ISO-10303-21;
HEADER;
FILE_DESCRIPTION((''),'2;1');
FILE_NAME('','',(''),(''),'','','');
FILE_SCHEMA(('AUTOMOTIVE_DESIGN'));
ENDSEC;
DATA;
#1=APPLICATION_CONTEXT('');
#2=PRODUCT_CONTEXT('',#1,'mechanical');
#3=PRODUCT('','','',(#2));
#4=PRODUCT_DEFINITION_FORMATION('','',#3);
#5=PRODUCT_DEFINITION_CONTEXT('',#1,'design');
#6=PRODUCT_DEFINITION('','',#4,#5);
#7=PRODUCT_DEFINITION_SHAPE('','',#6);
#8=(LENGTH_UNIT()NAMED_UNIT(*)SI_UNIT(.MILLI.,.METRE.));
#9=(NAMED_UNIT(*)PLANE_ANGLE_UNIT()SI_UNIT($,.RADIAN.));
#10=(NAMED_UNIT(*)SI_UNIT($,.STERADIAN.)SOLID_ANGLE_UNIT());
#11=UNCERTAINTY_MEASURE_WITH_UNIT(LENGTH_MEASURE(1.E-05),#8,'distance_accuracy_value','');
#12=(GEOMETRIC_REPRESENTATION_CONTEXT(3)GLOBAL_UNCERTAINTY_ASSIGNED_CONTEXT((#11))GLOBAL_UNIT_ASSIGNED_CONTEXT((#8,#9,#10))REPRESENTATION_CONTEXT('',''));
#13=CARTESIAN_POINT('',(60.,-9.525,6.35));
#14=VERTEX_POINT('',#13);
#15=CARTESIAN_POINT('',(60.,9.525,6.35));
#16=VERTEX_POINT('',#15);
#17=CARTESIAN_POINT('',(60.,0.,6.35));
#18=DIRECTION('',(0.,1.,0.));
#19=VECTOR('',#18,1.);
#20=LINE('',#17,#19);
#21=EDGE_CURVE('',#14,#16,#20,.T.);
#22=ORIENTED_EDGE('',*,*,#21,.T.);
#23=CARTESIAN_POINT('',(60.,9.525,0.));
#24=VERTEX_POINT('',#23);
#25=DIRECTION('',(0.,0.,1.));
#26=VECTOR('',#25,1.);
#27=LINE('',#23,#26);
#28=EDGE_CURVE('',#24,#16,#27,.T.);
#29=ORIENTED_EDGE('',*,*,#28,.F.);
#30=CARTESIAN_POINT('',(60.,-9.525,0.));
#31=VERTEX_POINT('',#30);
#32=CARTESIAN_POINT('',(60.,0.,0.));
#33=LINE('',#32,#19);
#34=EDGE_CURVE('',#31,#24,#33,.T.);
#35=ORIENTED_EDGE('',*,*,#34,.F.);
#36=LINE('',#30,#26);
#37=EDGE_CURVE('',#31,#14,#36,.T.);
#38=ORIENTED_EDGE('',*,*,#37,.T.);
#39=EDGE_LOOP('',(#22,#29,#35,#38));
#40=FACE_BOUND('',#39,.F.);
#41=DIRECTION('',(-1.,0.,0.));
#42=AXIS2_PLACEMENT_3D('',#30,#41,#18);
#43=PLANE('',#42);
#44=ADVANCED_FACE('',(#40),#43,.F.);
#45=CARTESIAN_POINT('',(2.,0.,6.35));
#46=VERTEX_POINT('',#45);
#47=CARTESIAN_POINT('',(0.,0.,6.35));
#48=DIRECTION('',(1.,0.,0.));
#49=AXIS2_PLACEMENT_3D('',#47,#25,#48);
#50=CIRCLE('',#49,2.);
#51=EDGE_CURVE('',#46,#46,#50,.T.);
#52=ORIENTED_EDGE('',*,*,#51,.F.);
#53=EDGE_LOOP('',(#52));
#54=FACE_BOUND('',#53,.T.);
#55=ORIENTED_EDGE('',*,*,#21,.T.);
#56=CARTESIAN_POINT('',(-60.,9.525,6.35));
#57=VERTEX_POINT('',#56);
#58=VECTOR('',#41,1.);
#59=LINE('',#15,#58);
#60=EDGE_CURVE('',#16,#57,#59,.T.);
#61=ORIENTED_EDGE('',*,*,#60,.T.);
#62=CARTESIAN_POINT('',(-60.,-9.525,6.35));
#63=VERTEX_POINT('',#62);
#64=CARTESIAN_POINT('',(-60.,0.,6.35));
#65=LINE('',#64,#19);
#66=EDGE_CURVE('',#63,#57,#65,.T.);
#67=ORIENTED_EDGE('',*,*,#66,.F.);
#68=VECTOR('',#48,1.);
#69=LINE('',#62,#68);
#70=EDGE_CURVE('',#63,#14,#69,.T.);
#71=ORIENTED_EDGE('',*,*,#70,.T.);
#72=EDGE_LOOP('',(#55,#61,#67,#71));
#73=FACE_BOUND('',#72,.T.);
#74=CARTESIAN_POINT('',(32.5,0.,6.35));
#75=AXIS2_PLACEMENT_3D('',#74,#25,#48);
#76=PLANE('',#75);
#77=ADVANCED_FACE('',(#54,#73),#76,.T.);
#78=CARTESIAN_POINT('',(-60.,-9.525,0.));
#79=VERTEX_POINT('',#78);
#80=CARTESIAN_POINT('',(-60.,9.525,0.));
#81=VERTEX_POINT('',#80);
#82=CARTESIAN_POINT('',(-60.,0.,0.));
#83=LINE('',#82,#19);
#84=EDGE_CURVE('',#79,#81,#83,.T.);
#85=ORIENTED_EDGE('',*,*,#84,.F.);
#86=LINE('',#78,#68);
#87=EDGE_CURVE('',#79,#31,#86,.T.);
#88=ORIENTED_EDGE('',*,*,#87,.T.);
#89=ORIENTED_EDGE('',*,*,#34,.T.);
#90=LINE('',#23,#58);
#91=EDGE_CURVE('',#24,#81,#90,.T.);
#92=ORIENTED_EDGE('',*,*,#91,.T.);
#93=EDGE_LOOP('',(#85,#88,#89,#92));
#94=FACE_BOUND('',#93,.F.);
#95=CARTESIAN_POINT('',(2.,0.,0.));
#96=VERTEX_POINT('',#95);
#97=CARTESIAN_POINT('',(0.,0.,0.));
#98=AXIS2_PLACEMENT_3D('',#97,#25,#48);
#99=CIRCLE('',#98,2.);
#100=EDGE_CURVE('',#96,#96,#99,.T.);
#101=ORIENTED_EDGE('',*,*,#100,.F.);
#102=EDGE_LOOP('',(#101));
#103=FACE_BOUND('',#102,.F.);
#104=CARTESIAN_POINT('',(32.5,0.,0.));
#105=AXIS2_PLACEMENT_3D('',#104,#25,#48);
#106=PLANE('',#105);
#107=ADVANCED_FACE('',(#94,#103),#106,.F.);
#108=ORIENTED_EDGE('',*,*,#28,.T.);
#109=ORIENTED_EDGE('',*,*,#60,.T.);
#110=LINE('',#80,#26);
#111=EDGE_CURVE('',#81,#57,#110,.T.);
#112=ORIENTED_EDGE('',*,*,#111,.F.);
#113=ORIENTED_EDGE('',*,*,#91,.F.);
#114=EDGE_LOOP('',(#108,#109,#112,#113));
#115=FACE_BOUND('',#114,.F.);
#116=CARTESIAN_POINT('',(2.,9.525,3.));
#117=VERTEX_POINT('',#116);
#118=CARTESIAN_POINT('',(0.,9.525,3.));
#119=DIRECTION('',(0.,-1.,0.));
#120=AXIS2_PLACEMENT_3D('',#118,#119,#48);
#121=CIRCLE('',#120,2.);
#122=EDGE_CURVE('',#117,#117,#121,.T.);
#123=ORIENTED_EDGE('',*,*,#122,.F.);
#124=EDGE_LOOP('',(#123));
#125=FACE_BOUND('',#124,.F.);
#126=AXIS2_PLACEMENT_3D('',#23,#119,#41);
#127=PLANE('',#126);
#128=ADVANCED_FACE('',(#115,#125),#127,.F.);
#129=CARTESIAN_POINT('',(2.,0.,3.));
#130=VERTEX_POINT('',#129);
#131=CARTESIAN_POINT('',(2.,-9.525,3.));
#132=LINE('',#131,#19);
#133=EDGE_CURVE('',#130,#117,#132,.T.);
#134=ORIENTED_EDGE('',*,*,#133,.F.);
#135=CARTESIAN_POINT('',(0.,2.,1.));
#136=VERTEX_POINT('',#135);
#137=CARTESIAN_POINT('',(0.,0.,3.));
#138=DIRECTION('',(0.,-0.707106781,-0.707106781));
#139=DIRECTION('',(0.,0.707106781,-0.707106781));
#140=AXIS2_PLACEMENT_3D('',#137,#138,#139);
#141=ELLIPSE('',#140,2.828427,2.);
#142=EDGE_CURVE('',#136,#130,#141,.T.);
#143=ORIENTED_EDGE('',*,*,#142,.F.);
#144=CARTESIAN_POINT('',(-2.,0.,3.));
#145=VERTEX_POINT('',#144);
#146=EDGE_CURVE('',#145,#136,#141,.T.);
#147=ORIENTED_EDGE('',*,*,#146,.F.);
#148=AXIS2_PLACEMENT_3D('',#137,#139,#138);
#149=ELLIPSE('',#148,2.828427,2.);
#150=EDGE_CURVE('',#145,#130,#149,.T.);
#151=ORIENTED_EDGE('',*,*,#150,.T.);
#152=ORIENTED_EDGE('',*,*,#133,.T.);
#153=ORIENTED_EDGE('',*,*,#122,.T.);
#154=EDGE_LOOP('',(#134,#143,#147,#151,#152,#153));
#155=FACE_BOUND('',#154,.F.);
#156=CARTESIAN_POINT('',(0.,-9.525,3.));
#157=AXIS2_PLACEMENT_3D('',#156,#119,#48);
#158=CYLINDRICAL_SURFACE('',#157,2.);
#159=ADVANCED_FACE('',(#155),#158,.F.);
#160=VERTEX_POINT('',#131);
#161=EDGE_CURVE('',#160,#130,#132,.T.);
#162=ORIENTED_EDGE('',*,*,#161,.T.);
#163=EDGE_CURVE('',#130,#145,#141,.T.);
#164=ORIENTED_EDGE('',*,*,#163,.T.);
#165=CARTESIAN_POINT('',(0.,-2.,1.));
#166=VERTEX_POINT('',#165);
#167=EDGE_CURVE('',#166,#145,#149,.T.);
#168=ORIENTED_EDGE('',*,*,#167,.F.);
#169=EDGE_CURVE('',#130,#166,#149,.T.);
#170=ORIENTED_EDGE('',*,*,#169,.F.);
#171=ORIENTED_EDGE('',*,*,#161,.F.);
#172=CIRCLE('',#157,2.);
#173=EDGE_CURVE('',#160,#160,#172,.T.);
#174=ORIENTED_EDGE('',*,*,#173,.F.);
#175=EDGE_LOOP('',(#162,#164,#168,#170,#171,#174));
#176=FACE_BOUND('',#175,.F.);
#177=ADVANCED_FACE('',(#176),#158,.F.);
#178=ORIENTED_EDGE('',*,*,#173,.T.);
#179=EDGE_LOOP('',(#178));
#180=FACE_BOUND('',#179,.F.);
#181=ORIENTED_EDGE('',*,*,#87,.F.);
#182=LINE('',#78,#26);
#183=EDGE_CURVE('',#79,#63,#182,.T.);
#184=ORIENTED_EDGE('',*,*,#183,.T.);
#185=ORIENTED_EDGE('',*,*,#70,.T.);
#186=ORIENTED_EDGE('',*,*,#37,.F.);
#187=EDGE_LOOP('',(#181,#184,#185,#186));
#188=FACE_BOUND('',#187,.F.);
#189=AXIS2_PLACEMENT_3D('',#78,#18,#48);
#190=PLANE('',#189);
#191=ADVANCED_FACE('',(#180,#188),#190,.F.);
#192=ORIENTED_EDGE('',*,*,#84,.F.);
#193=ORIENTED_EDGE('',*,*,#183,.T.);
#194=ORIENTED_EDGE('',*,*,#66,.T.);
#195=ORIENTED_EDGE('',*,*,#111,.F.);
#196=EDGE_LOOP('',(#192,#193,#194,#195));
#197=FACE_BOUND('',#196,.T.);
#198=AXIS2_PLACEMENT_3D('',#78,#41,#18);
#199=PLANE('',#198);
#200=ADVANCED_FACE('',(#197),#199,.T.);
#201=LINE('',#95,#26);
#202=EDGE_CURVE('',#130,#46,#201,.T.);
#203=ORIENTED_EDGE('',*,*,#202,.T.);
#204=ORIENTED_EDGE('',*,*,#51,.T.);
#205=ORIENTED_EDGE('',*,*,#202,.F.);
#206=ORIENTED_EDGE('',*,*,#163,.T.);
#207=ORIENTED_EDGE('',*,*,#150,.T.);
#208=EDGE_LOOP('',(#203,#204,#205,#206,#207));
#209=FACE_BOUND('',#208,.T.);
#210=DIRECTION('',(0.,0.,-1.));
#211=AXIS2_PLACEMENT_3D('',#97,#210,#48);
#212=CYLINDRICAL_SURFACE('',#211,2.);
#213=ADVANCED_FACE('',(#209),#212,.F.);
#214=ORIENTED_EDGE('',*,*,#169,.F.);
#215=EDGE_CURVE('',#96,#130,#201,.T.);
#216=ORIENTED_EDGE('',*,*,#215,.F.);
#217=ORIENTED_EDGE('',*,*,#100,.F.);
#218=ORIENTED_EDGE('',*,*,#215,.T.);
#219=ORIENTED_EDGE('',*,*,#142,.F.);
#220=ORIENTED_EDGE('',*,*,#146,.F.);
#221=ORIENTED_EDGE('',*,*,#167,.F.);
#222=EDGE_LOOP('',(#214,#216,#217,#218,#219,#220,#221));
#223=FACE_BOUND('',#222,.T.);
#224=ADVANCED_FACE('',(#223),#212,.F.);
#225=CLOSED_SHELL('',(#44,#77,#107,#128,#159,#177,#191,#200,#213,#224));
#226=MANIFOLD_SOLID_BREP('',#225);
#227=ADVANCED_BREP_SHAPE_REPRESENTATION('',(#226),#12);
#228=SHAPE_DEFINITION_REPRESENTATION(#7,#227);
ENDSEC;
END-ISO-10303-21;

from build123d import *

# Parameters (mm, degrees)
F0_W     = 55
F0_H     = 19.05
F0_W_2   = 10
F0_R     = 2
F1_DEPTH = 6.35
F2_R     = 2
F3_DEPTH = 19.051


with BuildPart() as f1:
    # F0 (on Top) → F1 (new body)
    with BuildSketch(Plane.XY):
        with Locations((32.5, 0)):
            Rectangle(F0_W, F0_H)
        Rectangle(F0_W_2, F0_H)
        Circle(F0_R, mode=Mode.SUBTRACT)
        with Locations((-32.5, 0)):
            Rectangle(F0_W, F0_H)
    extrude(amount=F1_DEPTH)

    # F2 (on face) → F3 (cut, through all)
    with BuildSketch(Plane.XZ.offset(9.525)):
        with Locations((0, 3)):
            Circle(F2_R)
    extrude(amount=-F3_DEPTH, mode=Mode.SUBTRACT)


solid = f1.part
